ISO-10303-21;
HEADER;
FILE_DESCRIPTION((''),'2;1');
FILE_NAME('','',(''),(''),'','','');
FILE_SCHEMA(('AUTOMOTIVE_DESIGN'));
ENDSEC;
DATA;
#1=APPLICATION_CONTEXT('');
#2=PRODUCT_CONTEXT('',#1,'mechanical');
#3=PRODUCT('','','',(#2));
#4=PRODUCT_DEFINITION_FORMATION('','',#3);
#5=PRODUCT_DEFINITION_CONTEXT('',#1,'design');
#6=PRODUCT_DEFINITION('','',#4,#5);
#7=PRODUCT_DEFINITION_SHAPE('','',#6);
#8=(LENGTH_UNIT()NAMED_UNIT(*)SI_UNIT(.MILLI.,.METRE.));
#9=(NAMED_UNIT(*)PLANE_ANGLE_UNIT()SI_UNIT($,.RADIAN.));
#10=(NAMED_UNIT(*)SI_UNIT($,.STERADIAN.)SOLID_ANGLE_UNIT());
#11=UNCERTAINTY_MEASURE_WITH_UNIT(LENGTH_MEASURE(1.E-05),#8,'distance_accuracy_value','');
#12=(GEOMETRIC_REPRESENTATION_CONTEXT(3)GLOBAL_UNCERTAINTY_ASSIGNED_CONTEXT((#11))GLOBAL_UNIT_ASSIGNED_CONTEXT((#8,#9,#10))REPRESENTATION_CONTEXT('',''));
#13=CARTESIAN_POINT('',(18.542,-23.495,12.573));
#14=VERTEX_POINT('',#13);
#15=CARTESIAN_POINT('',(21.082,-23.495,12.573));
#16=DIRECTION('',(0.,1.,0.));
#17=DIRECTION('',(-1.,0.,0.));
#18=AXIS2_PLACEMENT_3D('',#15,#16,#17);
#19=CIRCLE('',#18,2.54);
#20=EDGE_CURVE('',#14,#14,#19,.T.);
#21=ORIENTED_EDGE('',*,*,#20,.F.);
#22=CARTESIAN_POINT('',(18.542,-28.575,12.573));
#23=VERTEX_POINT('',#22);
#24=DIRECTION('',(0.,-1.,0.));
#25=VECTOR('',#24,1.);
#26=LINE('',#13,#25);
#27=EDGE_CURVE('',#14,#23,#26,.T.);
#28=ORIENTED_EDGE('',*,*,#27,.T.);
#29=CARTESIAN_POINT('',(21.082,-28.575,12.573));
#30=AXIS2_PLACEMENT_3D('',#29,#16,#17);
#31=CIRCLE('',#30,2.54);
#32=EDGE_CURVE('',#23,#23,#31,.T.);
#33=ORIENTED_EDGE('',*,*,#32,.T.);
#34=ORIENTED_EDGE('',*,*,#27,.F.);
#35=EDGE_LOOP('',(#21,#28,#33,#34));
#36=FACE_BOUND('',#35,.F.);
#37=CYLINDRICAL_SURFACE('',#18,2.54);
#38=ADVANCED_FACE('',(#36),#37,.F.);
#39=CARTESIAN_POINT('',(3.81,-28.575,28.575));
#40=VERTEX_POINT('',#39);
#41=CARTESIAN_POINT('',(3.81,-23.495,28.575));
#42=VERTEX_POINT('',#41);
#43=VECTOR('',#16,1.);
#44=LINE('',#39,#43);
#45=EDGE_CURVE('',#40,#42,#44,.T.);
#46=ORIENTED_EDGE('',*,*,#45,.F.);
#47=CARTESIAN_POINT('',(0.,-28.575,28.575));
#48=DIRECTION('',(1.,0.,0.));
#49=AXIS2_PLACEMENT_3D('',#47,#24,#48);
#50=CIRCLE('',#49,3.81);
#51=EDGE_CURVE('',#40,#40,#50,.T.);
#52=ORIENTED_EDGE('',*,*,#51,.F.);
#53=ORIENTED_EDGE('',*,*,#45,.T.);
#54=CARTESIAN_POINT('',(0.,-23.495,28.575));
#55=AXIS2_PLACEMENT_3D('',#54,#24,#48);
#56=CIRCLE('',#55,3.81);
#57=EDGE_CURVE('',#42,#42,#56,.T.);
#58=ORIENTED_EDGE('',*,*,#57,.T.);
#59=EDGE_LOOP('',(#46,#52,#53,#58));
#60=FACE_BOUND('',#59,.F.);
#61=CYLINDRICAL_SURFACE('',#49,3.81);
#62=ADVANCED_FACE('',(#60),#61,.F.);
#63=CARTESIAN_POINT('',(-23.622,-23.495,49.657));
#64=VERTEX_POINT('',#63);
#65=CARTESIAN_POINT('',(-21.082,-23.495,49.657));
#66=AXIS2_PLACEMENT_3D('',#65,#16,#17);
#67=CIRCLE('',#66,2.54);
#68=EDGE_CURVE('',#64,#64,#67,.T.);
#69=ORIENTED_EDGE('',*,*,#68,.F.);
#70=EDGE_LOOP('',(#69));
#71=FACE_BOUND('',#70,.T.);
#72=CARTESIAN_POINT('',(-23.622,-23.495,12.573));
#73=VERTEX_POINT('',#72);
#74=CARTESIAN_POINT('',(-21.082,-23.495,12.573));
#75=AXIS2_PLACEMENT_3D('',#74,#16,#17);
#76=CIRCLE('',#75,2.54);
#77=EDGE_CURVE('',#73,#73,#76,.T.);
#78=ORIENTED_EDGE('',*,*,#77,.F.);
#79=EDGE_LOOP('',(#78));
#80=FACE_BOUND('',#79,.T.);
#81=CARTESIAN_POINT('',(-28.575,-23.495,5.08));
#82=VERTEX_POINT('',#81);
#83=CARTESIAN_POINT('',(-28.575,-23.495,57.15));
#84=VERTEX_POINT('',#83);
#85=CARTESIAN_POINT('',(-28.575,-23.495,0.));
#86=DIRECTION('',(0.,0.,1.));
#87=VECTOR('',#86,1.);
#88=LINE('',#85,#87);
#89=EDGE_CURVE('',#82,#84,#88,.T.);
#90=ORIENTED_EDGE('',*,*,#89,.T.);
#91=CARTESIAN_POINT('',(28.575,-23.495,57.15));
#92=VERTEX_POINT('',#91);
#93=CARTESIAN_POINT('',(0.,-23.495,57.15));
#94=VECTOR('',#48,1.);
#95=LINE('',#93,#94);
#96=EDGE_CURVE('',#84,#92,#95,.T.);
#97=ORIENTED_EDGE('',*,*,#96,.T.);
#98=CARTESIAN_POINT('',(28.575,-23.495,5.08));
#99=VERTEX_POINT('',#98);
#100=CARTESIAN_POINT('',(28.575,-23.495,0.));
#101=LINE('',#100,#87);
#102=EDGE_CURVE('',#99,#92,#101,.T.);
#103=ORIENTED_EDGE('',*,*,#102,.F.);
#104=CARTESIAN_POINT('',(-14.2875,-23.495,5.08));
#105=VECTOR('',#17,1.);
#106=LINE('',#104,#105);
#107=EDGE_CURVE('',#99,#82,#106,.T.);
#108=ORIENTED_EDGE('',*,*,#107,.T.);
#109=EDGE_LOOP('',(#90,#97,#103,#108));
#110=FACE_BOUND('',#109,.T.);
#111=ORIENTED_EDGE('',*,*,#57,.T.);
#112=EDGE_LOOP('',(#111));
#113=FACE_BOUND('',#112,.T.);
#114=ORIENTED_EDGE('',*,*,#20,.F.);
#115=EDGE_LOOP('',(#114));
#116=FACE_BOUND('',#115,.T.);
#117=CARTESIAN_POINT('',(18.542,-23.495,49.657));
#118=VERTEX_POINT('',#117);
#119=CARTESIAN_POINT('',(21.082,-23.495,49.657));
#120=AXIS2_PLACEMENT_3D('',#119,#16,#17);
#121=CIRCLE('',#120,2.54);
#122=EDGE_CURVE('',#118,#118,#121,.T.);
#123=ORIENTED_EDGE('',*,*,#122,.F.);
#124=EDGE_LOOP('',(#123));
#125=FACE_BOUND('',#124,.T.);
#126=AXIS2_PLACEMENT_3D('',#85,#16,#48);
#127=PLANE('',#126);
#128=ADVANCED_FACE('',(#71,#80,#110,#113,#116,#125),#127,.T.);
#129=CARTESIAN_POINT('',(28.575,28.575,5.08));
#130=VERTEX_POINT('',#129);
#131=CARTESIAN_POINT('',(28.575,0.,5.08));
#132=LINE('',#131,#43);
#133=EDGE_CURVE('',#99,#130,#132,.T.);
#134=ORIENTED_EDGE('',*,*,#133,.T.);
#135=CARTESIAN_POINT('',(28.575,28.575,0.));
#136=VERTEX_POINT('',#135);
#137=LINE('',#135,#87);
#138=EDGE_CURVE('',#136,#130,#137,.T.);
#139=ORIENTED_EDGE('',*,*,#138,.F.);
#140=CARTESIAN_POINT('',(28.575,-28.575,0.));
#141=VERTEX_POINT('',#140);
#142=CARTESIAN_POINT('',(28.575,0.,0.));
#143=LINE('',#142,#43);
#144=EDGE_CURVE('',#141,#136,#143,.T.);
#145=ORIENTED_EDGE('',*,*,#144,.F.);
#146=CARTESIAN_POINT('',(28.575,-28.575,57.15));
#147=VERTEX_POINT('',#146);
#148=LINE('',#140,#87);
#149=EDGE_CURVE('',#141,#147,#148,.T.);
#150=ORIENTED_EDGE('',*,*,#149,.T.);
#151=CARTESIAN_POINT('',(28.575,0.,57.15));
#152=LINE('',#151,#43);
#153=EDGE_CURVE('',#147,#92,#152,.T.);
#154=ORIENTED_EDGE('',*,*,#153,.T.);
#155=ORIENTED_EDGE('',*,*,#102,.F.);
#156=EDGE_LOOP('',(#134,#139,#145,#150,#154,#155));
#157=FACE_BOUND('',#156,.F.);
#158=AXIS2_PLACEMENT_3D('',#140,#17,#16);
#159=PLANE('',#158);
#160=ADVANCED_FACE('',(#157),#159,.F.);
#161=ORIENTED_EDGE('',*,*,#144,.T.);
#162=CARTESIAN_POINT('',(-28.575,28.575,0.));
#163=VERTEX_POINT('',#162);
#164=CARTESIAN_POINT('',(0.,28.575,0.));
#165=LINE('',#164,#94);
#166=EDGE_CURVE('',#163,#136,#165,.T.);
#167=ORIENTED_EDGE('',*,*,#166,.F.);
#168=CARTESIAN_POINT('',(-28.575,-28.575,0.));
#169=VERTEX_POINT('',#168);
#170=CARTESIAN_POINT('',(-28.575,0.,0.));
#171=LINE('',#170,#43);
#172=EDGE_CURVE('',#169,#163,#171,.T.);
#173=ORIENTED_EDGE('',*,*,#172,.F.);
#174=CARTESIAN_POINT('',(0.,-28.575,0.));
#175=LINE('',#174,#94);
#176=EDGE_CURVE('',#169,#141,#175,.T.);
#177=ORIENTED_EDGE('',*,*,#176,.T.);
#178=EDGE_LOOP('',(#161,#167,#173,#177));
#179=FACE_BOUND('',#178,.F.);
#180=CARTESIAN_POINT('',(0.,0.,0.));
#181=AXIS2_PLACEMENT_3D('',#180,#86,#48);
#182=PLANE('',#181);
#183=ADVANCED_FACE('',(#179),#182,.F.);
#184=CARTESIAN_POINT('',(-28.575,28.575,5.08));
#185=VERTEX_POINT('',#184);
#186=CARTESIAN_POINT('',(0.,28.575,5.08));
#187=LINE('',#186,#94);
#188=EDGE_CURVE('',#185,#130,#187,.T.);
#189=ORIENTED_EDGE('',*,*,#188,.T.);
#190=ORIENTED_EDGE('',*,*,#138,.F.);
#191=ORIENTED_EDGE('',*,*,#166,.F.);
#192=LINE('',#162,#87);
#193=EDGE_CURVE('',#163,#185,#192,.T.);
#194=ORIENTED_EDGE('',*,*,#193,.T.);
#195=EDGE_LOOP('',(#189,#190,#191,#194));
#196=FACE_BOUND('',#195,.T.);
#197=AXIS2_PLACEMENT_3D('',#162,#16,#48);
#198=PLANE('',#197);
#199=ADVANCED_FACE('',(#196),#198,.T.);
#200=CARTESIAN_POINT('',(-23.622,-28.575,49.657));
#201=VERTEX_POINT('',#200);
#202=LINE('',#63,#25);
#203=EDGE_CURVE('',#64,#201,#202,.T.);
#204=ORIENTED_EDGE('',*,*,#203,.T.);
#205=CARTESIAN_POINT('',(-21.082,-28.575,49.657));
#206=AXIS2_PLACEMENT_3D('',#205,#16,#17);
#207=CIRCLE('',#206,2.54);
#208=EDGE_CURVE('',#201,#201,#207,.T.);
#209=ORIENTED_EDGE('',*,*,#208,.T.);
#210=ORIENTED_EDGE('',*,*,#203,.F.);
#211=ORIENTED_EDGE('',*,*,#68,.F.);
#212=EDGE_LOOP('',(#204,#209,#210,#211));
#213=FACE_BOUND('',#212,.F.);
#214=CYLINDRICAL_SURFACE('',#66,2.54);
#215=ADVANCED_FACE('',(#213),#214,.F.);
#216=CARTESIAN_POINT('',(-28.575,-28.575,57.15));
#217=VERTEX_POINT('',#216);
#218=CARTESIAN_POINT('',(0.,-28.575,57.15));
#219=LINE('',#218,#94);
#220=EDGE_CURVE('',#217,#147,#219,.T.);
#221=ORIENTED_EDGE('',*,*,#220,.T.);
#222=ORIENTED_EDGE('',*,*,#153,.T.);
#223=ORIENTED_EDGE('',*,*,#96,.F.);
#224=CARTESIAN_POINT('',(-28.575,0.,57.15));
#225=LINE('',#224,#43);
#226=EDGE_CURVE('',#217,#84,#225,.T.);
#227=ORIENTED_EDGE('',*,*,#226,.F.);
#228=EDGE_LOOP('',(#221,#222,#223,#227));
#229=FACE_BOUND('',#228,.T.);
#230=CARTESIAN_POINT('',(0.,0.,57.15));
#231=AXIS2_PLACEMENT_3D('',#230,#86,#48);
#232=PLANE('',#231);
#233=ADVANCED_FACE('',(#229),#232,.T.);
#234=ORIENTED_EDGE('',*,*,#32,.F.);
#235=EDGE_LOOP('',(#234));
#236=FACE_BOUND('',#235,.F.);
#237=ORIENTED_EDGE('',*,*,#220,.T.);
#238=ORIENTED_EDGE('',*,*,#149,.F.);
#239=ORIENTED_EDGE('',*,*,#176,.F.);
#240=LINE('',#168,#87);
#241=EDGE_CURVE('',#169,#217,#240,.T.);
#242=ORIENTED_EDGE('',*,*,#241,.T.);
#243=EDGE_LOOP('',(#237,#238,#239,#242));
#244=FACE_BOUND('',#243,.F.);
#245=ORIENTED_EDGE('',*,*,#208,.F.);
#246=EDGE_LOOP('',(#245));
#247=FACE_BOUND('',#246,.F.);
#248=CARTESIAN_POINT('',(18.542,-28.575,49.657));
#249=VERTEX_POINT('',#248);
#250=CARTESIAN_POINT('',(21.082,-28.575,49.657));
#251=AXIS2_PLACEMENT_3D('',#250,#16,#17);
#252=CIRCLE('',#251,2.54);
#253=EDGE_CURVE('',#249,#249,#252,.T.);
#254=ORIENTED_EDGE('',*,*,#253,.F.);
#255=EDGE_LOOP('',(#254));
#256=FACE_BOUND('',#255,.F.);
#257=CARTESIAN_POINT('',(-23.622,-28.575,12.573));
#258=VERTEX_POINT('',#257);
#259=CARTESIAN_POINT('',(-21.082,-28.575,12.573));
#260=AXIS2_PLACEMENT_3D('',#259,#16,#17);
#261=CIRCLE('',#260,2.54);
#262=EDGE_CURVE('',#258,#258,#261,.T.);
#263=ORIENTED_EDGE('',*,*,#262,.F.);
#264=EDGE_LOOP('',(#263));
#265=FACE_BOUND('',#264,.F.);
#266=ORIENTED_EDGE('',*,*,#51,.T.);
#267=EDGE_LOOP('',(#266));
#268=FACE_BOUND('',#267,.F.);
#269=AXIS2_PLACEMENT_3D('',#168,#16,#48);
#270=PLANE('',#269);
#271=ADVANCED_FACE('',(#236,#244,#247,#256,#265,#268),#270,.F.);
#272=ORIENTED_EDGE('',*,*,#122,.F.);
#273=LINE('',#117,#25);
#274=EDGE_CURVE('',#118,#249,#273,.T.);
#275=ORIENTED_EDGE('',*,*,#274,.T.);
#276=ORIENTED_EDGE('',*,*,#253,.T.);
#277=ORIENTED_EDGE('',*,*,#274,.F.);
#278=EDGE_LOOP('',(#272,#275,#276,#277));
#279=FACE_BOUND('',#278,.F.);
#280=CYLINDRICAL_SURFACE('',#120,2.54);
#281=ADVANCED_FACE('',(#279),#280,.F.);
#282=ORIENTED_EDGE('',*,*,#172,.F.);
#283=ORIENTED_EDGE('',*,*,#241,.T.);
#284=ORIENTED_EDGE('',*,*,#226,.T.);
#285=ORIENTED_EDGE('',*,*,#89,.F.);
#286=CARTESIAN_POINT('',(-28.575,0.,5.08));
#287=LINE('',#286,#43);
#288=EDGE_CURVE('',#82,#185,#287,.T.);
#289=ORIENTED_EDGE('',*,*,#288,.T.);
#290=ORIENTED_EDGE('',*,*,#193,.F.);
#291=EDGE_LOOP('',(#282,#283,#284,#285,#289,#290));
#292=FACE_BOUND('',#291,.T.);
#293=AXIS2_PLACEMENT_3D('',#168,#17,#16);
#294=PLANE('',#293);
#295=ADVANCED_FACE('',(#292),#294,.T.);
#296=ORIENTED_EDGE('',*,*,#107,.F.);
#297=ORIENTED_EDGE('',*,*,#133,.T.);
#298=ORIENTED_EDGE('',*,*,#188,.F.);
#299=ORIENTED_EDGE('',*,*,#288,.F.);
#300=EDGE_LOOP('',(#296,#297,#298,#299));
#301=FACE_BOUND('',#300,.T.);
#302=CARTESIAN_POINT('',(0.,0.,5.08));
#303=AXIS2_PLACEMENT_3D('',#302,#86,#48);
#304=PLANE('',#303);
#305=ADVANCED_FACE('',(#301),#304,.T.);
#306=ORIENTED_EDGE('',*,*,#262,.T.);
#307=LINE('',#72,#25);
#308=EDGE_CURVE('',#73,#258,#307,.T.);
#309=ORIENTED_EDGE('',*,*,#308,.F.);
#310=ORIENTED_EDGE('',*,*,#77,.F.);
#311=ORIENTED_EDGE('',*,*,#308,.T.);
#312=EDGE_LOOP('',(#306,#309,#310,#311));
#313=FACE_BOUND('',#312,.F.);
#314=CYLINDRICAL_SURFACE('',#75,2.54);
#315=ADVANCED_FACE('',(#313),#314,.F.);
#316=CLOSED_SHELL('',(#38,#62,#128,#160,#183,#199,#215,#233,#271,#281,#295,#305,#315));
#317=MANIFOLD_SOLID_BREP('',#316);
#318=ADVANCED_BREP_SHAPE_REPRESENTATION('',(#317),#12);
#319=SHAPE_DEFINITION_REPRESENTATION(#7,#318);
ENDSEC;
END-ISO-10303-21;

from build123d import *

# Parameters (mm, degrees)
F0_W     = 57.15
F0_H     = 57.15
F1_DEPTH = 57.15
F2_T     = -5.08
F3_R     = 2.54
F4_DEPTH = 25.4
F5_R     = 3.81
F6_DEPTH = 25.4


with BuildPart() as f1:
    # F0 (on Top) → F1 (new body)
    with BuildSketch(Plane.XY):
        Rectangle(F0_W, F0_H)
    extrude(amount=F1_DEPTH)

    # F2
    f2_openings = [f1.faces().sort_by_distance(p)[0] for p in [
        (0, 0, 57.15),
        (28.575, 0, 28.575),
        (0, 28.575, 28.575),
        (-28.575, 0, 28.575),
    ]]
    offset(amount=F2_T, openings=f2_openings)

    # F3 (on face) → F4 (cut)
    with BuildSketch(Plane(origin=(0, -23.495, 0), x_dir=(-1, 0, 0), z_dir=(0, 1, 0))):
        with Locations((-21.082, 49.657)):
            Circle(F3_R)
        with Locations((21.082, 49.657)):
            Circle(F3_R)
        with Locations((-21.082, 12.573)):
            Circle(F3_R)
        with Locations((21.082, 12.573)):
            Circle(F3_R)
    extrude(amount=-F4_DEPTH, mode=Mode.SUBTRACT)

    # F5 (on face) → F6 (cut)
    with BuildSketch(Plane.XZ.offset(28.575)):
        with Locations((0, 28.575)):
            Circle(F5_R)
    extrude(amount=-F6_DEPTH, mode=Mode.SUBTRACT)


solid = f1.part
